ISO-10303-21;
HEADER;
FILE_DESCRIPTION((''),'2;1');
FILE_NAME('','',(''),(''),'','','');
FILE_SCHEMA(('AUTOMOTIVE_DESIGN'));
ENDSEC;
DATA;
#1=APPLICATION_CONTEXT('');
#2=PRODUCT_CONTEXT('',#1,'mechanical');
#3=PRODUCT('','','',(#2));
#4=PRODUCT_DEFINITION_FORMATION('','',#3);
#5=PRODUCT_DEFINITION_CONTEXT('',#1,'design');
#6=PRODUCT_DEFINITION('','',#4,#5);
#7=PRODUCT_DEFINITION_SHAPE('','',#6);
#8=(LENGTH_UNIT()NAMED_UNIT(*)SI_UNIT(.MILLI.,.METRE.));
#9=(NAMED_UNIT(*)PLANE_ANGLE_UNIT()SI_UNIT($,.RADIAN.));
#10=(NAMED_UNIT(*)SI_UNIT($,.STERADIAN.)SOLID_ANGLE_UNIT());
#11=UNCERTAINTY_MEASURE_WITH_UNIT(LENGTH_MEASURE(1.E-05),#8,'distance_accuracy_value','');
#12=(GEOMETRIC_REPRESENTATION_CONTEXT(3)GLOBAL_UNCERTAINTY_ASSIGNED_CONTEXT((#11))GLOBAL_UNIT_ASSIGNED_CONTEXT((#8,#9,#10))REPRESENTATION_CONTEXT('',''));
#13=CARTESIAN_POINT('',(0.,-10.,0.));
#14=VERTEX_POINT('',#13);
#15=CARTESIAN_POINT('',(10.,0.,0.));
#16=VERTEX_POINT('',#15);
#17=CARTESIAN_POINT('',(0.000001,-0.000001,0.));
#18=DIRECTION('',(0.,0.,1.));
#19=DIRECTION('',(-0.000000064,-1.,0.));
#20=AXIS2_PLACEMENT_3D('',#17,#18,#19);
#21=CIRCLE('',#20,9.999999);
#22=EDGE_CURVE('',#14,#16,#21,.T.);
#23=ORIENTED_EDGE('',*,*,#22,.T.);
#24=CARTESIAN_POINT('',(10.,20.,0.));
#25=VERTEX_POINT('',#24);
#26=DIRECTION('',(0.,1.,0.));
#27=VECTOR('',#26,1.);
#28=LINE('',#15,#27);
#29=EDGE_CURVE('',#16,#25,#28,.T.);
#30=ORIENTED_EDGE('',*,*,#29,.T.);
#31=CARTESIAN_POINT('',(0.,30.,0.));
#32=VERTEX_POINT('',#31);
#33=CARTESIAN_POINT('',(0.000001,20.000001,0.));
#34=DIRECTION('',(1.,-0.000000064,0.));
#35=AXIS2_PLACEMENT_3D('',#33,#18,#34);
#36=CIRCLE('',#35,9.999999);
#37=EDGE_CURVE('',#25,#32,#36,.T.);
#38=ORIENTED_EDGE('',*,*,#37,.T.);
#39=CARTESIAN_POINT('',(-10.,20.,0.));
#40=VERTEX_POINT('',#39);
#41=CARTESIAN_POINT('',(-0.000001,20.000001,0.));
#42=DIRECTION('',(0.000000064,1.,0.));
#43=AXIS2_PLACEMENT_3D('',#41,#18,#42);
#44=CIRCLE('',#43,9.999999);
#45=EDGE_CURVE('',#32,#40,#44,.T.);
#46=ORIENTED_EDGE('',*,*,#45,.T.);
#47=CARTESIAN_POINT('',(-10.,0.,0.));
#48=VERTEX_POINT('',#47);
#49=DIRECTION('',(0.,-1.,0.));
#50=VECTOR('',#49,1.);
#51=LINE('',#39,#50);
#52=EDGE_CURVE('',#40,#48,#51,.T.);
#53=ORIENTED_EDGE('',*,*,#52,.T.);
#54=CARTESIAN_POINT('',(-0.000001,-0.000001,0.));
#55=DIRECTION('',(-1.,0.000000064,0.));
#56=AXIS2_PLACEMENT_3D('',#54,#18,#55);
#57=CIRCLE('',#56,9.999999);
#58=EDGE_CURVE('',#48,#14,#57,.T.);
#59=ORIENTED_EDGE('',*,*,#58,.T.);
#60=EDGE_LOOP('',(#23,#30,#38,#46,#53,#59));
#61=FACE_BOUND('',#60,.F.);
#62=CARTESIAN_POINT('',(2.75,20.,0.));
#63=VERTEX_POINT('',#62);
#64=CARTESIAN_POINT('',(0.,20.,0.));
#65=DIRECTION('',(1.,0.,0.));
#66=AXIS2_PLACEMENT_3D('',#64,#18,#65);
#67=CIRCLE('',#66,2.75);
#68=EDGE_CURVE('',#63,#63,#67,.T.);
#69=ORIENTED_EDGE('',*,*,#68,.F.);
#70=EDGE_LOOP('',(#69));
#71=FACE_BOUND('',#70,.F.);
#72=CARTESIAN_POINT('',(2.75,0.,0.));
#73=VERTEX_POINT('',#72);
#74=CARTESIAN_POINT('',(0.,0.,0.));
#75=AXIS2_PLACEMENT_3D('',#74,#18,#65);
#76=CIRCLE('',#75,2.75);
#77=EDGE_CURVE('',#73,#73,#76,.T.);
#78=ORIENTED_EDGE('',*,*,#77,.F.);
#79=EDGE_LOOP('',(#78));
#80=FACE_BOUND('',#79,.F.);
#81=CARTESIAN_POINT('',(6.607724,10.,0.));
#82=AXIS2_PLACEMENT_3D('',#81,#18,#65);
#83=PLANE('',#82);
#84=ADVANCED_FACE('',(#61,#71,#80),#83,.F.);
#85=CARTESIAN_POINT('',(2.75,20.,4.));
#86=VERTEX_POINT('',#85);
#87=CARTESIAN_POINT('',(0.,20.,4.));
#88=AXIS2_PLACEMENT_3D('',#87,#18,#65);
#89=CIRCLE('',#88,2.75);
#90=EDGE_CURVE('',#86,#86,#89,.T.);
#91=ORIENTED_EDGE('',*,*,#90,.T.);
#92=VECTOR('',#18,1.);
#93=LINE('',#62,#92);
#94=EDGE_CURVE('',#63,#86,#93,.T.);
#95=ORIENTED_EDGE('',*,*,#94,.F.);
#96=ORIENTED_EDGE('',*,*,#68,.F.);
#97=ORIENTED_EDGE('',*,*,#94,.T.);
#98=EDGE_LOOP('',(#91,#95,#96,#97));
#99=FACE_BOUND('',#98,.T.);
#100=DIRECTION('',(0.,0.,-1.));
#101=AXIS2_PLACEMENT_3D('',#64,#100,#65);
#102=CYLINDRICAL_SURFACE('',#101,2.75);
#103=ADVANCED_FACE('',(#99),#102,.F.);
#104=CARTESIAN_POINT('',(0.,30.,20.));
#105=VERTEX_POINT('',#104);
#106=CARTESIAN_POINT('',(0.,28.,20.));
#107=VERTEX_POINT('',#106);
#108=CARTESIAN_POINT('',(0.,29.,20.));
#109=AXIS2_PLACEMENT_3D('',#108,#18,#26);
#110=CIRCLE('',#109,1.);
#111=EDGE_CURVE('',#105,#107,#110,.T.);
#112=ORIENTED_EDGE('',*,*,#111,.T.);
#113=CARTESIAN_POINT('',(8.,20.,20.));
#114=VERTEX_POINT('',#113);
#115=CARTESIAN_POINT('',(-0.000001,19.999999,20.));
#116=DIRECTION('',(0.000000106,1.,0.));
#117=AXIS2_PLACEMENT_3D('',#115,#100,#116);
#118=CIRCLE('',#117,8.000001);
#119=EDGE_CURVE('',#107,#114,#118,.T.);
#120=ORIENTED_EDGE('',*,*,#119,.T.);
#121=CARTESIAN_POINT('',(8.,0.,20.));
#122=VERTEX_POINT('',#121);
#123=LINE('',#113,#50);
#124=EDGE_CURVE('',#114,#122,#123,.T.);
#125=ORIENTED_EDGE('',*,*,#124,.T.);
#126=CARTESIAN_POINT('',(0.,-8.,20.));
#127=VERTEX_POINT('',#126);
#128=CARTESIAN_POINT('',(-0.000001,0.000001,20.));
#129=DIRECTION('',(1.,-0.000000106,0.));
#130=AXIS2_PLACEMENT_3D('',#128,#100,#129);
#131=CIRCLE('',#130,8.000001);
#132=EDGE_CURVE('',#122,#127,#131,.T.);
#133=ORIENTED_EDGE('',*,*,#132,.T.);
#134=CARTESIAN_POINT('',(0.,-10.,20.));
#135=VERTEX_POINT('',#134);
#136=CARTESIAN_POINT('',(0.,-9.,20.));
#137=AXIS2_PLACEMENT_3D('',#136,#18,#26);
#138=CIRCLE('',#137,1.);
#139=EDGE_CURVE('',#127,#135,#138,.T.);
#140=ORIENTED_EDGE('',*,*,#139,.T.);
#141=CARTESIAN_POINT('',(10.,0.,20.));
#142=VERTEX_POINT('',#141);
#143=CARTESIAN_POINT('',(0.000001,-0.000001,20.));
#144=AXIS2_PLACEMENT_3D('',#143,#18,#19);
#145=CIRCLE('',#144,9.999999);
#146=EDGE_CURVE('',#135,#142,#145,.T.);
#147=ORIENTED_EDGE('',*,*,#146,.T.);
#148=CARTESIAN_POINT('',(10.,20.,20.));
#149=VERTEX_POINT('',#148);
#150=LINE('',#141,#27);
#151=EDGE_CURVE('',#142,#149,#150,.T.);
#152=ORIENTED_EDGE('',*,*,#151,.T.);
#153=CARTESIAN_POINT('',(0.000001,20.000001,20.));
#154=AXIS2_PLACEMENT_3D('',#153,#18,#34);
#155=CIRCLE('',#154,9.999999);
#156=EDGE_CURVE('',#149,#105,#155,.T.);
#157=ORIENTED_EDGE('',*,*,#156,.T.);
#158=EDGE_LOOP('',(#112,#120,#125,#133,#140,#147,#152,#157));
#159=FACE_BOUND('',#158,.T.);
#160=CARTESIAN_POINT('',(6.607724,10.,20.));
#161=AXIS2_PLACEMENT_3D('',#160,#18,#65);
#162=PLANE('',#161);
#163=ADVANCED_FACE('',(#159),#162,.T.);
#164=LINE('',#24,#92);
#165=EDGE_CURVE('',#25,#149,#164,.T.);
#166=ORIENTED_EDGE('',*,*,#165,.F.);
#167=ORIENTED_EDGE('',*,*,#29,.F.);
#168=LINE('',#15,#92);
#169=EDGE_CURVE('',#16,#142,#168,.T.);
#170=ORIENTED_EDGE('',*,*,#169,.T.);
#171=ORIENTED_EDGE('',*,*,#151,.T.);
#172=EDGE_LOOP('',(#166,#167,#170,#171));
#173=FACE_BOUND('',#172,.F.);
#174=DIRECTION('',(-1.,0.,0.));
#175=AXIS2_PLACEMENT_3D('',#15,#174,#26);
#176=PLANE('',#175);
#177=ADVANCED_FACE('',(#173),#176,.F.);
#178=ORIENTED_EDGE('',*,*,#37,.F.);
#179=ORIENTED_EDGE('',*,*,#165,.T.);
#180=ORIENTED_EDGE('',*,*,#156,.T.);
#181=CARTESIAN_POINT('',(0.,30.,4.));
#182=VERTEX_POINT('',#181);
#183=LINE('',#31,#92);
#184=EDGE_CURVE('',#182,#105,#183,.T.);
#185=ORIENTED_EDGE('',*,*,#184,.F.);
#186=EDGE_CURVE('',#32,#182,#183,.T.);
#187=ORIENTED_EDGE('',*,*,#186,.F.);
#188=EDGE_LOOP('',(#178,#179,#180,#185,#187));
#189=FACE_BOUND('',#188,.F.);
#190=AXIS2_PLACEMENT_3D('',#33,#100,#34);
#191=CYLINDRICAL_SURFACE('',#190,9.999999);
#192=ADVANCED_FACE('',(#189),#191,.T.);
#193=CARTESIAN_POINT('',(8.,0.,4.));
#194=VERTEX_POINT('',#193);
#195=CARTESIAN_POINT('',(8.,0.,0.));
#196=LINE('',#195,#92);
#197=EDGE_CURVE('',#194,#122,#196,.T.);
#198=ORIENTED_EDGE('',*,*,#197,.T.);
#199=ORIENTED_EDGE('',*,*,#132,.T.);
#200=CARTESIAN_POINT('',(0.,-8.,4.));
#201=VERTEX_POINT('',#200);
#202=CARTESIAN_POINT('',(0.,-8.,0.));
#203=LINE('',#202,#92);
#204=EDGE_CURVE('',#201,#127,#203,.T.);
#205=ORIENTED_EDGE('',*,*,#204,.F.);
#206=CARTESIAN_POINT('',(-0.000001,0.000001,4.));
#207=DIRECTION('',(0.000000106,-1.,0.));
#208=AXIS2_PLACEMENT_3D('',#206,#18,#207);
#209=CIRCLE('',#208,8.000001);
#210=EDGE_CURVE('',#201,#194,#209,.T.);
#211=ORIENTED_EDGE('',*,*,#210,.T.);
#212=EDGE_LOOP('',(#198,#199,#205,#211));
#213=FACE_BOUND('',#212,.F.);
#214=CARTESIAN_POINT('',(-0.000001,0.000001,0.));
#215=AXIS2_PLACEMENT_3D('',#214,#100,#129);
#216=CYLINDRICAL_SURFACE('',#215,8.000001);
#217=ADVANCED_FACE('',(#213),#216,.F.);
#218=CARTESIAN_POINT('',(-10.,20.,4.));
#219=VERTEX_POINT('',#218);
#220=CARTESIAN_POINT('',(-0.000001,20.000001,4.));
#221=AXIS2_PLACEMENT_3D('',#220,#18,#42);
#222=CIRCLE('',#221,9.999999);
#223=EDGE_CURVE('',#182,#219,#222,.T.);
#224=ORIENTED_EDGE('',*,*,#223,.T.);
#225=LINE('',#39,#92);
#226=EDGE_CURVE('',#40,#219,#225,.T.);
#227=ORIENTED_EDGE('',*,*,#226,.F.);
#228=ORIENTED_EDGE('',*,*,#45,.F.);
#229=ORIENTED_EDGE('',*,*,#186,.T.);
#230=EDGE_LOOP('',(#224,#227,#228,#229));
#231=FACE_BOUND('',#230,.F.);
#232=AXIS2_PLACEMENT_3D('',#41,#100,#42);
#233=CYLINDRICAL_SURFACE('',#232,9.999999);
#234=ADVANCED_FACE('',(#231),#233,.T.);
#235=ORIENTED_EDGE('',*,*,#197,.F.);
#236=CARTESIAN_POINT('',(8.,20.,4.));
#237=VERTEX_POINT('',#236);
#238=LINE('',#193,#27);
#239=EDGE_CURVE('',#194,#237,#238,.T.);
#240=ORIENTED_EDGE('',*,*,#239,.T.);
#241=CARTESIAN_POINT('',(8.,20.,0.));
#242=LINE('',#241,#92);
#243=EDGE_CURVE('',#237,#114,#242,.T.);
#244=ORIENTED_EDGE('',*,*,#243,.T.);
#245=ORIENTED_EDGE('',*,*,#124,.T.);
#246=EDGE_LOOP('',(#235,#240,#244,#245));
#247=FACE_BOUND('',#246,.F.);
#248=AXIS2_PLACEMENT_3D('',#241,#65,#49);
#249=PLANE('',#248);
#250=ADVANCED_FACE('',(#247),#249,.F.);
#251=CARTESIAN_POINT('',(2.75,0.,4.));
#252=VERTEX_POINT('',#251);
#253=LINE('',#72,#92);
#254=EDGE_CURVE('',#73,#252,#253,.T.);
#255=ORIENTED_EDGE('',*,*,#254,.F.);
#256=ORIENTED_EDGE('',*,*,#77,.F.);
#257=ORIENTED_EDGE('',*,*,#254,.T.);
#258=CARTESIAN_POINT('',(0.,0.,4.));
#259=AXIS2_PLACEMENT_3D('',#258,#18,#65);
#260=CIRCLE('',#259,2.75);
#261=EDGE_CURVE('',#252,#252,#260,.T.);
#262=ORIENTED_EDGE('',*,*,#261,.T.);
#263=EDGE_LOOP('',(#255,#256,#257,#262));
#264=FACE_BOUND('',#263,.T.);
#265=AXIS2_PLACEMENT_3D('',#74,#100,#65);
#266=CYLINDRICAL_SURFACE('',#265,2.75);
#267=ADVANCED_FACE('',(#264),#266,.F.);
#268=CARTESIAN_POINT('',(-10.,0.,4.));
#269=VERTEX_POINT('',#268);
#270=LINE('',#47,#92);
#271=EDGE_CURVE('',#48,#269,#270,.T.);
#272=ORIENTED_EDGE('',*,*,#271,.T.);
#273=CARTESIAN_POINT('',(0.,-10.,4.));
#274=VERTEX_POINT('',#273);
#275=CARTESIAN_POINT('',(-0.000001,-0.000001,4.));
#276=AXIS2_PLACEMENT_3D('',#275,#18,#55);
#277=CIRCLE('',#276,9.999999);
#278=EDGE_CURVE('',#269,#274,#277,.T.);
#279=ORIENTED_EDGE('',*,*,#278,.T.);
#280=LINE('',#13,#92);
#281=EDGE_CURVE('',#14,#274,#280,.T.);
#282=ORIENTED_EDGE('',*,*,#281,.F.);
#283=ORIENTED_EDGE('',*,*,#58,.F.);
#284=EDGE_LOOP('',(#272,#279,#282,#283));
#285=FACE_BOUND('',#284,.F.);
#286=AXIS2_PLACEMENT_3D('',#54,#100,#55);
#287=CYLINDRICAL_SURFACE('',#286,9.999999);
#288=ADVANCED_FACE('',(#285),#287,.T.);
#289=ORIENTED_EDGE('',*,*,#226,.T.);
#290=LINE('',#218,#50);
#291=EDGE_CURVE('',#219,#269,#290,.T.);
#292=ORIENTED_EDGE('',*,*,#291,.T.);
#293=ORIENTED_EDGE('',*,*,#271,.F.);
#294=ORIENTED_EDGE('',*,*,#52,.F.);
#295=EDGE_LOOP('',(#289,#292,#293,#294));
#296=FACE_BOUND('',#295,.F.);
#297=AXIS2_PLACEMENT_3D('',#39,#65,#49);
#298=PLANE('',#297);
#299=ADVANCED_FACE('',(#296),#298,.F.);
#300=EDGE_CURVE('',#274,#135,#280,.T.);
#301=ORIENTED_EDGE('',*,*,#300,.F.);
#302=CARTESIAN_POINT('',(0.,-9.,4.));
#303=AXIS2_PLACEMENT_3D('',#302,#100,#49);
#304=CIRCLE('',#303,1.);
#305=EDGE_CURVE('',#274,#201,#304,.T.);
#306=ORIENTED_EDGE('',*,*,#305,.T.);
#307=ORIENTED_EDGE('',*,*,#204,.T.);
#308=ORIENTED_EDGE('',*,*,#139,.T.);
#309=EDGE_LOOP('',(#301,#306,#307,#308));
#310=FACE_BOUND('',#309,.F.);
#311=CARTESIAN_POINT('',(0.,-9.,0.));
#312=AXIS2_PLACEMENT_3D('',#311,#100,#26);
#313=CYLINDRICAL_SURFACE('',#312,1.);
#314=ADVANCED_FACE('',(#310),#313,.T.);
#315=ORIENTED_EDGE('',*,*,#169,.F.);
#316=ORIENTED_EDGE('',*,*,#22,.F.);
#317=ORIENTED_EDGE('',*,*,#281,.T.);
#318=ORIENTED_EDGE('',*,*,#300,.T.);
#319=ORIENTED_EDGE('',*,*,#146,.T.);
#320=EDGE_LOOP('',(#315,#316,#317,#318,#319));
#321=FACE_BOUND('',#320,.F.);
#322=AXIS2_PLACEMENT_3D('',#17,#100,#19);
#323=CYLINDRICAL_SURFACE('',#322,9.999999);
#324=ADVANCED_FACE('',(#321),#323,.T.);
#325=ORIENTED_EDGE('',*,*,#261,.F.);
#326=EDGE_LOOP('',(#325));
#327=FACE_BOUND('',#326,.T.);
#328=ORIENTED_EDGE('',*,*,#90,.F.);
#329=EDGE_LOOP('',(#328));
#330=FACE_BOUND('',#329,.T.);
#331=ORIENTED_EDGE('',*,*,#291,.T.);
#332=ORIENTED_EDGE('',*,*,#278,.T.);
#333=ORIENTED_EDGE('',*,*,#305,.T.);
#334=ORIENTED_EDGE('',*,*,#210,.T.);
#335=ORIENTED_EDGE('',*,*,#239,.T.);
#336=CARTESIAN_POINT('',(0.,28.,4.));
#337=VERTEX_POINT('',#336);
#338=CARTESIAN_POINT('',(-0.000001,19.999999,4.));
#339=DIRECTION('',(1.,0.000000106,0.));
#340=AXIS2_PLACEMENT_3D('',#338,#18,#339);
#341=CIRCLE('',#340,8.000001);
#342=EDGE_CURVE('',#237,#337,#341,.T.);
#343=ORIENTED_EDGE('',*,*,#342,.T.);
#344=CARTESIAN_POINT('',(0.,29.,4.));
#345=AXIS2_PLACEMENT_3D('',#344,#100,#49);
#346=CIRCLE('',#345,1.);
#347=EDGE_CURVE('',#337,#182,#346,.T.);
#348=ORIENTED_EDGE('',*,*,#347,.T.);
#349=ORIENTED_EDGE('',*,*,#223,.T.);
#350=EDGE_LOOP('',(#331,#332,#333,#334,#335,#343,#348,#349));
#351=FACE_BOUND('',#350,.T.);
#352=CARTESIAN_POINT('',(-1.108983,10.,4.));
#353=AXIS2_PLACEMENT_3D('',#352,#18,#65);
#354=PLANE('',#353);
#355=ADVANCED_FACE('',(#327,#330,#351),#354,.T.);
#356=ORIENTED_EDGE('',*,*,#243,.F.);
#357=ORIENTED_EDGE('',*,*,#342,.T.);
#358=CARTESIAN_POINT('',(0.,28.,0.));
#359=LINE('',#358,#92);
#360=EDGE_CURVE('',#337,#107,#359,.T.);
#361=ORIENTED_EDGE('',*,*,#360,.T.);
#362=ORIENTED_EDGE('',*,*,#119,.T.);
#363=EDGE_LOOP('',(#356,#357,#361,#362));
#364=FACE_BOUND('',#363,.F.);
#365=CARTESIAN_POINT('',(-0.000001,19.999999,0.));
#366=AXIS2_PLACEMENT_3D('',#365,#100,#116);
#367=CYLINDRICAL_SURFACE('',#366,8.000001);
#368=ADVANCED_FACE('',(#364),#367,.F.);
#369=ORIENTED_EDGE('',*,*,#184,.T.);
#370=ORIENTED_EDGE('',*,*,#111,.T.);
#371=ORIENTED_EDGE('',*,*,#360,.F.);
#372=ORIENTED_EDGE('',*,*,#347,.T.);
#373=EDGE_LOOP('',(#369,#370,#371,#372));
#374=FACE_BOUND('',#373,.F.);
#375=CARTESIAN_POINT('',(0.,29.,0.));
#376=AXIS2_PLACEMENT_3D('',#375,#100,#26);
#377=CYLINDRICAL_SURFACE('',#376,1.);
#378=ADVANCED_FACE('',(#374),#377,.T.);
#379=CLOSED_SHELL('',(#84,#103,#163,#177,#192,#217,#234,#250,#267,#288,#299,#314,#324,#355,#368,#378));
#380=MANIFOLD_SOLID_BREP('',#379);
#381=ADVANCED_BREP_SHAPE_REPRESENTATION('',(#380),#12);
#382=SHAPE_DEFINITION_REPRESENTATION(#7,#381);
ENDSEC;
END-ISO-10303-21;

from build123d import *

# Parameters (mm, degrees)
F0_R     = 2.75
F1_DEPTH = 4
F2_DEPTH = 20


with BuildPart() as f1:
    # F0 (on Top) → F1 (new body)
    with BuildSketch(Plane.XY):
        with BuildLine():
            ThreePointArc((0, 30), (-7.071068, 27.071068), (-10, 20))
            Line((-10, 20), (-10, 0))
            ThreePointArc((-10, 0), (-7.071068, -7.071068), (0, -10))
            ThreePointArc((0, -10), (-1, -9), (0, -8))
            ThreePointArc((0, -8), (5.656854, -5.656854), (8, 0))
            Line((8, 0), (8, 20))
            ThreePointArc((8, 20), (5.656854, 25.656854), (0, 28))
            ThreePointArc((0, 28), (-1, 29), (0, 30))
        make_face()
        Circle(F0_R, mode=Mode.SUBTRACT)
        with Locations((0, 20)):
            Circle(F0_R, mode=Mode.SUBTRACT)
    extrude(amount=F1_DEPTH)

    # F0 (on Top) → F2 (join)
    with BuildSketch(Plane.XY):
        with BuildLine():
            ThreePointArc((10, 20), (7.071068, 27.071068), (0, 30))
            ThreePointArc((0, 30), (-1, 29), (0, 28))
            ThreePointArc((0, 28), (5.656854, 25.656854), (8, 20))
            Line((8, 20), (8, 0))
            ThreePointArc((8, 0), (5.656854, -5.656854), (0, -8))
            ThreePointArc((0, -8), (-1, -9), (0, -10))
            ThreePointArc((0, -10), (7.071068, -7.071068), (10, 0))
            Line((10, 0), (10, 20))
        make_face()
    extrude(amount=F2_DEPTH)


solid = f1.part
